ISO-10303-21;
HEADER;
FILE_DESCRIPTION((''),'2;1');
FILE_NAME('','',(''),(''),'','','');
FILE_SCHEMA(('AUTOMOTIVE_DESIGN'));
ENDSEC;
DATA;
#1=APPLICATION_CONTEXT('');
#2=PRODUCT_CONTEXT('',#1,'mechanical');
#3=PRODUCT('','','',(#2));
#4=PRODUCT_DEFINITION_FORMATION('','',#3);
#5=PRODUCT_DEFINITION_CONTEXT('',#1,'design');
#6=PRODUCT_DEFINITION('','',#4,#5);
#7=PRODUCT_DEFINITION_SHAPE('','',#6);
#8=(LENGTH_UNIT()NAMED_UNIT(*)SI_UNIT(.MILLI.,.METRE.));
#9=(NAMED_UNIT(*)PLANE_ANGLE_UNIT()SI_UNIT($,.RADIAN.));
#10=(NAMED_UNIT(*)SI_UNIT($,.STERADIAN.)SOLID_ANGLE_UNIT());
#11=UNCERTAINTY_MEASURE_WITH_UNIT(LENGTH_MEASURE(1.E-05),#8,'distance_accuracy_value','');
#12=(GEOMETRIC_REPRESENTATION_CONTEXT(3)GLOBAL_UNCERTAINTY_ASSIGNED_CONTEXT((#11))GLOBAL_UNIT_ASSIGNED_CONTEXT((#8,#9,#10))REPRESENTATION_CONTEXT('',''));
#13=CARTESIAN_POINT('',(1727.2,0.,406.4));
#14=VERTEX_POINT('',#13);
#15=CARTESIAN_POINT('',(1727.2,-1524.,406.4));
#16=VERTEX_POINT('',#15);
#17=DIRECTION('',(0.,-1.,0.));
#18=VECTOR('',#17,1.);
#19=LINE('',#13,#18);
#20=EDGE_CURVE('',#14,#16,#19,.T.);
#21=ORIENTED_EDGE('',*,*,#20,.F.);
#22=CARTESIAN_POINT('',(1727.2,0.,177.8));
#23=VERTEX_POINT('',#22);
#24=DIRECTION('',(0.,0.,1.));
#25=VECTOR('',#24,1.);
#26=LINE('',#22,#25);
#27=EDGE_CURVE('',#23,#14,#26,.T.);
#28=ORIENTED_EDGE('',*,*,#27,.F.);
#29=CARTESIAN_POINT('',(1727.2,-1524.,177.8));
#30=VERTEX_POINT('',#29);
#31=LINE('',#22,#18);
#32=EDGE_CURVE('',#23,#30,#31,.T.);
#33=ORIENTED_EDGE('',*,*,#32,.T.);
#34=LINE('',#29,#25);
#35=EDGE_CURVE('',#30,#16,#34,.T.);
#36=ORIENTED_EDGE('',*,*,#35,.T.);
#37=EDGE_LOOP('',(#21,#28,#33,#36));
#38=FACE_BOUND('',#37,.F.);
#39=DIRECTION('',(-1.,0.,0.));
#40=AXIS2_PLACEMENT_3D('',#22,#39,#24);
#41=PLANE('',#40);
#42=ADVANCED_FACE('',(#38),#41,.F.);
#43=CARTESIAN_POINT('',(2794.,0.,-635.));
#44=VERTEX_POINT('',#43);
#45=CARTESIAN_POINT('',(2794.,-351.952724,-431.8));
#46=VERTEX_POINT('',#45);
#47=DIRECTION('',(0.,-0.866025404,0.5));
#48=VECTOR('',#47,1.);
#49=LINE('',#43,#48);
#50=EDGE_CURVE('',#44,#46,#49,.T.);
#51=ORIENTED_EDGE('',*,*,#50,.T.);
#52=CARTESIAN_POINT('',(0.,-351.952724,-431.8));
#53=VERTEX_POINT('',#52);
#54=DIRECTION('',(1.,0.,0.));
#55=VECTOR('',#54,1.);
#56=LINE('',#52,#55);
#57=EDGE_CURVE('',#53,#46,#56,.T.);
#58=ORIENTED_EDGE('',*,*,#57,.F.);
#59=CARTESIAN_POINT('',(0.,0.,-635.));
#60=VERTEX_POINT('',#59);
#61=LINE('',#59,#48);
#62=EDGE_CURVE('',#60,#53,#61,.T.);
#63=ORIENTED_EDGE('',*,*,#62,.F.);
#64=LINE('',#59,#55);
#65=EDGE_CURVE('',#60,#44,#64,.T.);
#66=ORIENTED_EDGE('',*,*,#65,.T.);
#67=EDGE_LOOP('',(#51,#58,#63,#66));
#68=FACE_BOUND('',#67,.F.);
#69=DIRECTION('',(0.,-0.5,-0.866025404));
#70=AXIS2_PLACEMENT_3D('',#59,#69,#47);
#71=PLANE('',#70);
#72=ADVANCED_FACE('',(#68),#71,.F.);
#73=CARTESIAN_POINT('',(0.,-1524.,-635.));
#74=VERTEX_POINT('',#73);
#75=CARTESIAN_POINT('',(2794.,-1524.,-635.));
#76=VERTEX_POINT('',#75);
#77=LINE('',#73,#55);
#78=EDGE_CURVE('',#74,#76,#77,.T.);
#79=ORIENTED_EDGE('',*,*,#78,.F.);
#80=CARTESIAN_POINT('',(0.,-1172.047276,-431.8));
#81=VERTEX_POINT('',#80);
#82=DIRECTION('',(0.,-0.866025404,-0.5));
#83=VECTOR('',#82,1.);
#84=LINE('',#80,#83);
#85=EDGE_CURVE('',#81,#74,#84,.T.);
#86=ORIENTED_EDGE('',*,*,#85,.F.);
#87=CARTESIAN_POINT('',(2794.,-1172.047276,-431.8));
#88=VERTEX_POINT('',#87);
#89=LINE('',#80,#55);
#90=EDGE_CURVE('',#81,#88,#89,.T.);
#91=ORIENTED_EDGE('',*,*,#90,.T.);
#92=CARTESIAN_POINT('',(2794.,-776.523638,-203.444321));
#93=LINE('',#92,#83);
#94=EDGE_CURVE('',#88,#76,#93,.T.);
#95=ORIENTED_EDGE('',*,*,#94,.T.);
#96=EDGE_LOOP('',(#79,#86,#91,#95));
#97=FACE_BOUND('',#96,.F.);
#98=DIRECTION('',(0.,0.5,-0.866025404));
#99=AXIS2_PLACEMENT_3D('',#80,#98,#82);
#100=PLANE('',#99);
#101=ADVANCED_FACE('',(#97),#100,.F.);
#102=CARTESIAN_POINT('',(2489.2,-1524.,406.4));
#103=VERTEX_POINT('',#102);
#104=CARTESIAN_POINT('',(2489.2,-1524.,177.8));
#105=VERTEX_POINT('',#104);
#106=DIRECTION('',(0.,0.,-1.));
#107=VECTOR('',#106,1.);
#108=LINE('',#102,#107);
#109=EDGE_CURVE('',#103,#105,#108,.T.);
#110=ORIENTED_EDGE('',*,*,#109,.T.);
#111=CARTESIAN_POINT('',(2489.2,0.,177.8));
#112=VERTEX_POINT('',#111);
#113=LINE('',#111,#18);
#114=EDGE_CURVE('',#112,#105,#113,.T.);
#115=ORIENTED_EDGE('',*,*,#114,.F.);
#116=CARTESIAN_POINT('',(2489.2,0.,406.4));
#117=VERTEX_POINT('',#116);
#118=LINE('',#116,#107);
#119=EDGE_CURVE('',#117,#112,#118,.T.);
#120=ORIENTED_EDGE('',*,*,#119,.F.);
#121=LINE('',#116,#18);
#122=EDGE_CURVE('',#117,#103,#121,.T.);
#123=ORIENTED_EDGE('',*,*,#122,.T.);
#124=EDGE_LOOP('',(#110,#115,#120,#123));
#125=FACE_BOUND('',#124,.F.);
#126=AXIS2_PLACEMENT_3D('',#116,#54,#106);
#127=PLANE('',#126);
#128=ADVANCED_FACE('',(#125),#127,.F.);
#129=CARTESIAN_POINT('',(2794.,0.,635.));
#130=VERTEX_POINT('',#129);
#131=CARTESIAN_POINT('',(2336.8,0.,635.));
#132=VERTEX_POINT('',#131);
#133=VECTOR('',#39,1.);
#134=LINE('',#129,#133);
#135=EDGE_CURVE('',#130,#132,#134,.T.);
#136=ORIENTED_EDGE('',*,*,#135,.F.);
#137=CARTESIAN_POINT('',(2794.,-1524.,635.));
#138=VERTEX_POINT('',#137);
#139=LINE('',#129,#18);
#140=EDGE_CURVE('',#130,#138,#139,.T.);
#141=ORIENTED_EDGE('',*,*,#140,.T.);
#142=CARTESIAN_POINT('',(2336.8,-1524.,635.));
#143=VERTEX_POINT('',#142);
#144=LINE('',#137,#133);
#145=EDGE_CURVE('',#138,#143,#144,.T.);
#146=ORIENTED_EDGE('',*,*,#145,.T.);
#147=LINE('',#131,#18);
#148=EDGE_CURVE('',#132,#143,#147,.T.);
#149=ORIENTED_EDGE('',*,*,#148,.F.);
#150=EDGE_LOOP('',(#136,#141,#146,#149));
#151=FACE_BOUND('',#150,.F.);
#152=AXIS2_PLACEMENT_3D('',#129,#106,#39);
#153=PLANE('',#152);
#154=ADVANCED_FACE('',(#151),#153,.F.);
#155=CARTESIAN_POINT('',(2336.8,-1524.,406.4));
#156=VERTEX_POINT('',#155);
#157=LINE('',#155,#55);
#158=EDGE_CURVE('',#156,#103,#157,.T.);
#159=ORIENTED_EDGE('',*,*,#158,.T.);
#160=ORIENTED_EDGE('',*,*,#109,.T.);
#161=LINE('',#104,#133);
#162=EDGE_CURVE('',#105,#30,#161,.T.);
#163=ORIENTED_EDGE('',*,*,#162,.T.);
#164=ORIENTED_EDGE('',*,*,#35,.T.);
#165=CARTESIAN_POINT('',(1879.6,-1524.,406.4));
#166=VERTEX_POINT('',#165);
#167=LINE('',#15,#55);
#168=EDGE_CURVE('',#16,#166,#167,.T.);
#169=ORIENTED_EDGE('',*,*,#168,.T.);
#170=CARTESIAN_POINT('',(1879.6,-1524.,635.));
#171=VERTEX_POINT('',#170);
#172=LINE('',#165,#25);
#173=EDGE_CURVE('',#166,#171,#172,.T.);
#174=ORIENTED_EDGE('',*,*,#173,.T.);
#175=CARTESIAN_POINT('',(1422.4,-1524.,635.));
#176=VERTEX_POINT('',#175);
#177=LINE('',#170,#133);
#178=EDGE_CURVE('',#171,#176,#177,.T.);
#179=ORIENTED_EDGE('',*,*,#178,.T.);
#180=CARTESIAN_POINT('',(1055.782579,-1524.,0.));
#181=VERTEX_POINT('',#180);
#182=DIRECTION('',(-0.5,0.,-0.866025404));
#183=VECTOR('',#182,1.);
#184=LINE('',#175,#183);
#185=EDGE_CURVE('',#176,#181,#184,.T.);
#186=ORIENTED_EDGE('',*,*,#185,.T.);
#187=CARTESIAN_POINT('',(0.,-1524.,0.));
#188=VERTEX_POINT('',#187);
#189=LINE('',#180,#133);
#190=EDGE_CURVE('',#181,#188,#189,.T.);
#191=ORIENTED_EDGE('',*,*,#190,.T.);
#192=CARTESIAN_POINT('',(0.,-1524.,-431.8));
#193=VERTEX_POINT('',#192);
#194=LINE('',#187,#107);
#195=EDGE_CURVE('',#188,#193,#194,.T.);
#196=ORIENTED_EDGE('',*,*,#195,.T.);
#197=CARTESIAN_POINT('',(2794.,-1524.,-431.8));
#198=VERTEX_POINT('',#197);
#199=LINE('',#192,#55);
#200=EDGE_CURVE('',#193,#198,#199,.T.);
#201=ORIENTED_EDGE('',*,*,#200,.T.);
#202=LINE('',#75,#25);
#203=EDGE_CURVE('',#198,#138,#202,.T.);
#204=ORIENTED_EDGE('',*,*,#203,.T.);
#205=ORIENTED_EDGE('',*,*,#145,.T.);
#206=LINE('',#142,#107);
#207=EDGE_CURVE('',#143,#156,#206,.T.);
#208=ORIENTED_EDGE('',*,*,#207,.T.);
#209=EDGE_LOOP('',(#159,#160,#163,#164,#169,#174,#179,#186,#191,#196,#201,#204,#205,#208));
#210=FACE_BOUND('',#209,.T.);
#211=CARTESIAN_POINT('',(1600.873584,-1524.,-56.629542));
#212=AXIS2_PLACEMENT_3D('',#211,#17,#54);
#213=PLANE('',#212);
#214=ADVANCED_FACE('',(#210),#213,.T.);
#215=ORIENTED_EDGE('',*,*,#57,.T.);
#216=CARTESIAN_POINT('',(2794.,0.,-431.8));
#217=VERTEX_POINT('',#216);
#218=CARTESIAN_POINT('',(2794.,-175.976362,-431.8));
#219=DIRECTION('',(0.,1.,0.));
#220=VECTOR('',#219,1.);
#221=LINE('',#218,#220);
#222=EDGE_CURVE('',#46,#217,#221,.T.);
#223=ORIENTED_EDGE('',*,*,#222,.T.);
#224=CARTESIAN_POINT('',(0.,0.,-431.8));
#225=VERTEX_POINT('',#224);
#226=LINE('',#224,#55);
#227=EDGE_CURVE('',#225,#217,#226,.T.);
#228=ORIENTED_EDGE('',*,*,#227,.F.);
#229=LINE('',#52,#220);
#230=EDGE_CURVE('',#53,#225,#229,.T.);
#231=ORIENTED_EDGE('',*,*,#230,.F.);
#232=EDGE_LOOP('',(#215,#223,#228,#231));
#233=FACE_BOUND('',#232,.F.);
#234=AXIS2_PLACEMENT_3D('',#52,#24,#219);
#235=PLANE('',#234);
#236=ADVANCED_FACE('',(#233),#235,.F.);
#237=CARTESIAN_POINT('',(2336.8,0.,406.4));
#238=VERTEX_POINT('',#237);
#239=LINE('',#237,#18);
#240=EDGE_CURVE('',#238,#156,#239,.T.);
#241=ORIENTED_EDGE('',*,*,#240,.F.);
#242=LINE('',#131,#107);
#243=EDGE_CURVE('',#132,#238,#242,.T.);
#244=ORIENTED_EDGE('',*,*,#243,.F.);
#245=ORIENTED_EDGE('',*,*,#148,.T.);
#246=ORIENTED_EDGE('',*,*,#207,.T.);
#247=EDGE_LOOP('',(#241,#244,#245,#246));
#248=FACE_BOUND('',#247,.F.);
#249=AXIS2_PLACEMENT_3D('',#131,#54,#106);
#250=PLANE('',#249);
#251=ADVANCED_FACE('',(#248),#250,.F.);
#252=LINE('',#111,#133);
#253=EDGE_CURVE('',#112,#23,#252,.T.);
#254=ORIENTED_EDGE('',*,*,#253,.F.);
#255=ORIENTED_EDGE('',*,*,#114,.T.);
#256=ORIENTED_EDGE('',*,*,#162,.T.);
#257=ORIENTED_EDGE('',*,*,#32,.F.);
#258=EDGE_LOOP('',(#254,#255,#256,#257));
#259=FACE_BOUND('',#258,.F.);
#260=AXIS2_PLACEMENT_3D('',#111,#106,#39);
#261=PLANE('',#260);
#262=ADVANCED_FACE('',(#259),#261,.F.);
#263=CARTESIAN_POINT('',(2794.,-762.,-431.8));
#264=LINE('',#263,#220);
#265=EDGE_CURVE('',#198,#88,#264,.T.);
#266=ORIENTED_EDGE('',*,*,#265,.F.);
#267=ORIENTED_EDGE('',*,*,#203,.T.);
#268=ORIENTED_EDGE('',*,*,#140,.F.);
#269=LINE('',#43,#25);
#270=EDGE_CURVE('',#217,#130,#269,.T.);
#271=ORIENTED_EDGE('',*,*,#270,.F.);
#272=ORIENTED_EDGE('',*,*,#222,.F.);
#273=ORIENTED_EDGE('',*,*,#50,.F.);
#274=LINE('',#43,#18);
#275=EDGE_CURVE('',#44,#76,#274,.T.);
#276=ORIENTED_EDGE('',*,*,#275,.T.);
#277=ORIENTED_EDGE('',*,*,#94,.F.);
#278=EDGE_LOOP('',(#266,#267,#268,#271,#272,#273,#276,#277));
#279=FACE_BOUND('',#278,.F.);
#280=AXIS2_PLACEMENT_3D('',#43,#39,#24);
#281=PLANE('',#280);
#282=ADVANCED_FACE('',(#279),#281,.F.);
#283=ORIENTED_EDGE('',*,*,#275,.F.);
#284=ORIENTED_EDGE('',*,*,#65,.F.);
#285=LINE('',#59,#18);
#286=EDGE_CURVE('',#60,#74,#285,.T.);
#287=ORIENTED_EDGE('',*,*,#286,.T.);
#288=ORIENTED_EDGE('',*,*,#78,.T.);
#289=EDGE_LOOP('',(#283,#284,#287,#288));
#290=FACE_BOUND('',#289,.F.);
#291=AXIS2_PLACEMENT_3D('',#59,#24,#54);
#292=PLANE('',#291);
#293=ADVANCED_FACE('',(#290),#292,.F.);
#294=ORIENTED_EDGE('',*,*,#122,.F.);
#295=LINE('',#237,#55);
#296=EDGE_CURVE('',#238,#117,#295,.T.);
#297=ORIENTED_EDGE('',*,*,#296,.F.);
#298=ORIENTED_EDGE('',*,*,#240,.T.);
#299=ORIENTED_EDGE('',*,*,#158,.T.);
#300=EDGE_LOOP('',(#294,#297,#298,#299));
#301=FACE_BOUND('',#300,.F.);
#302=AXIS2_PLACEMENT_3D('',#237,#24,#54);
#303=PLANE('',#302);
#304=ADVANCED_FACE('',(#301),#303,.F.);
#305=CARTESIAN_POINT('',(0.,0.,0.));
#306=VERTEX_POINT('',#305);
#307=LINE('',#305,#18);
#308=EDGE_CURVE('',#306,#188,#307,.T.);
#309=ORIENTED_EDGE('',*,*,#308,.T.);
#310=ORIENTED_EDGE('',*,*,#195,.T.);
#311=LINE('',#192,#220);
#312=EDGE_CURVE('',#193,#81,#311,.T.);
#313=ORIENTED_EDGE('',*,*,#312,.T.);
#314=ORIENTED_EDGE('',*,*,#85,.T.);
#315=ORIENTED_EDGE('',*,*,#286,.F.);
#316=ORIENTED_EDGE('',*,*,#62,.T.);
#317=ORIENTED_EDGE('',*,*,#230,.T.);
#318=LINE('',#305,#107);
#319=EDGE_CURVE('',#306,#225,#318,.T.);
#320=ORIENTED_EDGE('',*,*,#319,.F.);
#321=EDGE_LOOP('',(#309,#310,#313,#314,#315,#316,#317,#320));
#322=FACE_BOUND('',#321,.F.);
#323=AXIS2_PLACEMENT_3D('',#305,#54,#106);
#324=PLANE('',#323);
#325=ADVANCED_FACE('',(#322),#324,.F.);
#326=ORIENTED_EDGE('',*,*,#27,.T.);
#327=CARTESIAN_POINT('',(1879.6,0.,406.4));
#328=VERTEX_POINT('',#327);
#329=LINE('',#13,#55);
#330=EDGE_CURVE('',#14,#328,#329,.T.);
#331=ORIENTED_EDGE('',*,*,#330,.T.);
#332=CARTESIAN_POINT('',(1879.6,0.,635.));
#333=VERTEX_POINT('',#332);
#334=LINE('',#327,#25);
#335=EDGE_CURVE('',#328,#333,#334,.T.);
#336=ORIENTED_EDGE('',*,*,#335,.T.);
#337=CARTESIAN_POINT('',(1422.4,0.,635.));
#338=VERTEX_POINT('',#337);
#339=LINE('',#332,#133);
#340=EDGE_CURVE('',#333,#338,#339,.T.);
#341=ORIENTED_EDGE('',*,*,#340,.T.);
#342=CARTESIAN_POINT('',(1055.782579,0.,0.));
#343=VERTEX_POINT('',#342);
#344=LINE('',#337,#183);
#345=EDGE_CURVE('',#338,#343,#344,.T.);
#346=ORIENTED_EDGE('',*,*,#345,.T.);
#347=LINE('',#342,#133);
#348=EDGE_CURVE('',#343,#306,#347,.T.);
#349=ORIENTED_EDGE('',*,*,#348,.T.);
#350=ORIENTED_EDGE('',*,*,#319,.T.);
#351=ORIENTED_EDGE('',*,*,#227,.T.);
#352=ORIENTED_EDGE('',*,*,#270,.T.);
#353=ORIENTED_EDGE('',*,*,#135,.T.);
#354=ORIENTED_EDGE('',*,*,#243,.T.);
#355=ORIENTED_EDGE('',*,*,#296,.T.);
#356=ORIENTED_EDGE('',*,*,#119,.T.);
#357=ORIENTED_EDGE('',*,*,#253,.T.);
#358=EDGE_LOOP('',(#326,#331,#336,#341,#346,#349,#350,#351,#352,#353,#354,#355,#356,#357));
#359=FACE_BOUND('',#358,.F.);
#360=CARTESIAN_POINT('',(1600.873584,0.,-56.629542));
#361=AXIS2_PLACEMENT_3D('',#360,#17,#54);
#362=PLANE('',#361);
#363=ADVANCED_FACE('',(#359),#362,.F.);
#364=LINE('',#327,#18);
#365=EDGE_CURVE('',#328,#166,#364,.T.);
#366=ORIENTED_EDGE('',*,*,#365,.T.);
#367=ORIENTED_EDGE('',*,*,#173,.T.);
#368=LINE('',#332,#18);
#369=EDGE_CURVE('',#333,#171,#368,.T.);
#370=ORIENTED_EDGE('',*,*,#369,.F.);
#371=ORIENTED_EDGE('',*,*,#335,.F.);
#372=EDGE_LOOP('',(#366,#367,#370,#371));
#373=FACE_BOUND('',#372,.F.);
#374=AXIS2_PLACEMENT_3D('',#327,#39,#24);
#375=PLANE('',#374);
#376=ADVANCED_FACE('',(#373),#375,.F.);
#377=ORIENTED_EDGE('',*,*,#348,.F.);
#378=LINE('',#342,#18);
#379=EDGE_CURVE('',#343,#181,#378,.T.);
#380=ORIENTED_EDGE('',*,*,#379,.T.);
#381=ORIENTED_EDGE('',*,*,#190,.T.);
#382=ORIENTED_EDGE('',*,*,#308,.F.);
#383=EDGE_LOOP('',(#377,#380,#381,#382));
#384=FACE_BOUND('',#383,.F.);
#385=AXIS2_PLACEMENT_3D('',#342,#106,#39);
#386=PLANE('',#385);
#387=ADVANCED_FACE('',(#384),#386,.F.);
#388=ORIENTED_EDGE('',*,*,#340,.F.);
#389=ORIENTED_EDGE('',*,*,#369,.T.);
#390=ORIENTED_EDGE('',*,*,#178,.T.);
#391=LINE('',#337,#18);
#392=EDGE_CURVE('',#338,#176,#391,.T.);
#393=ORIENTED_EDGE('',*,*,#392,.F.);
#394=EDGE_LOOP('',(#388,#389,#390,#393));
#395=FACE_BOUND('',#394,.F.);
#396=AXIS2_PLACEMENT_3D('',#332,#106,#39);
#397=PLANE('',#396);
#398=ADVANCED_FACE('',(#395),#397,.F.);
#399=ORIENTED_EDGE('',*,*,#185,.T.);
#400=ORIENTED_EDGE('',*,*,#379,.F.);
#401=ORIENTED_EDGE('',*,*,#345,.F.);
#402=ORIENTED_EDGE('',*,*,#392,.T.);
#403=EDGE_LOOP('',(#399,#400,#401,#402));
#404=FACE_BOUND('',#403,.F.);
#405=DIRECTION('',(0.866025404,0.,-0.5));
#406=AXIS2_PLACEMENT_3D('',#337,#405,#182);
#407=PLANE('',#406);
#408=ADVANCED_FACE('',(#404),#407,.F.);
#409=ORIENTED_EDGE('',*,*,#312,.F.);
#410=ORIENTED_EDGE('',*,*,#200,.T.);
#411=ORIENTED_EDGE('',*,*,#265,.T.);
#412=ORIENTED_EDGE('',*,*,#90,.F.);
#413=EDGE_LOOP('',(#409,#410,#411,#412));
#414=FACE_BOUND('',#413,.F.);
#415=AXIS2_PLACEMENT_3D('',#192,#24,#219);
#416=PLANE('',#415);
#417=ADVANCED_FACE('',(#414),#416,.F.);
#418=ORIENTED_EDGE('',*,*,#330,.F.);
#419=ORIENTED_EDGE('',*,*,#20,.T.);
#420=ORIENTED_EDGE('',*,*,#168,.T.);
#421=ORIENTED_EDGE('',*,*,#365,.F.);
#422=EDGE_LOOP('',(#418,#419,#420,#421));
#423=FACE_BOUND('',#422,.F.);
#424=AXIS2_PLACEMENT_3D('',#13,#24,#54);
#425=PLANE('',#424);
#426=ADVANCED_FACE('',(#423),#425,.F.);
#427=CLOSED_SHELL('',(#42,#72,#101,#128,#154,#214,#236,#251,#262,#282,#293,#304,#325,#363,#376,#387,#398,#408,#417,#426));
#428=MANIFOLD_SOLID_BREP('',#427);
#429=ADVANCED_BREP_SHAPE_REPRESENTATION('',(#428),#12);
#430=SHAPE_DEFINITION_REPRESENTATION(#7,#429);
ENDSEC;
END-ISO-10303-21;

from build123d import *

# Parameters (mm, degrees)
F1_DEPTH = 1524
F3_DEPTH = 2794.001


with BuildPart() as f1:
    # F0 (on Front) → F1 (new body)
    with BuildSketch(Plane.XZ):
        Polygon((1055.782579, 0), (0, 0), (0, -635), (2794, -635), (2794, 635), (2336.8, 635), (2336.8, 406.4), (2489.2, 406.4), (2489.2, 177.8), (1727.2, 177.8), (1727.2, 406.4), (1879.6, 406.4), (1879.6, 635), (1422.4, 635), align=None)
    extrude(amount=F1_DEPTH)

    # F2 (on face) → F3 (cut, through all)
    with BuildSketch(Plane(origin=(0, 0, 0), x_dir=(0, -1, 0), z_dir=(-1, 0, 0))):
        Polygon((0, -431.8), (0, -635), (351.952724, -431.8), align=None)
        Polygon((1172.047276, -431.8), (1524, -635), (1524, -431.8), align=None)
    extrude(amount=-F3_DEPTH, mode=Mode.SUBTRACT)


solid = f1.part
